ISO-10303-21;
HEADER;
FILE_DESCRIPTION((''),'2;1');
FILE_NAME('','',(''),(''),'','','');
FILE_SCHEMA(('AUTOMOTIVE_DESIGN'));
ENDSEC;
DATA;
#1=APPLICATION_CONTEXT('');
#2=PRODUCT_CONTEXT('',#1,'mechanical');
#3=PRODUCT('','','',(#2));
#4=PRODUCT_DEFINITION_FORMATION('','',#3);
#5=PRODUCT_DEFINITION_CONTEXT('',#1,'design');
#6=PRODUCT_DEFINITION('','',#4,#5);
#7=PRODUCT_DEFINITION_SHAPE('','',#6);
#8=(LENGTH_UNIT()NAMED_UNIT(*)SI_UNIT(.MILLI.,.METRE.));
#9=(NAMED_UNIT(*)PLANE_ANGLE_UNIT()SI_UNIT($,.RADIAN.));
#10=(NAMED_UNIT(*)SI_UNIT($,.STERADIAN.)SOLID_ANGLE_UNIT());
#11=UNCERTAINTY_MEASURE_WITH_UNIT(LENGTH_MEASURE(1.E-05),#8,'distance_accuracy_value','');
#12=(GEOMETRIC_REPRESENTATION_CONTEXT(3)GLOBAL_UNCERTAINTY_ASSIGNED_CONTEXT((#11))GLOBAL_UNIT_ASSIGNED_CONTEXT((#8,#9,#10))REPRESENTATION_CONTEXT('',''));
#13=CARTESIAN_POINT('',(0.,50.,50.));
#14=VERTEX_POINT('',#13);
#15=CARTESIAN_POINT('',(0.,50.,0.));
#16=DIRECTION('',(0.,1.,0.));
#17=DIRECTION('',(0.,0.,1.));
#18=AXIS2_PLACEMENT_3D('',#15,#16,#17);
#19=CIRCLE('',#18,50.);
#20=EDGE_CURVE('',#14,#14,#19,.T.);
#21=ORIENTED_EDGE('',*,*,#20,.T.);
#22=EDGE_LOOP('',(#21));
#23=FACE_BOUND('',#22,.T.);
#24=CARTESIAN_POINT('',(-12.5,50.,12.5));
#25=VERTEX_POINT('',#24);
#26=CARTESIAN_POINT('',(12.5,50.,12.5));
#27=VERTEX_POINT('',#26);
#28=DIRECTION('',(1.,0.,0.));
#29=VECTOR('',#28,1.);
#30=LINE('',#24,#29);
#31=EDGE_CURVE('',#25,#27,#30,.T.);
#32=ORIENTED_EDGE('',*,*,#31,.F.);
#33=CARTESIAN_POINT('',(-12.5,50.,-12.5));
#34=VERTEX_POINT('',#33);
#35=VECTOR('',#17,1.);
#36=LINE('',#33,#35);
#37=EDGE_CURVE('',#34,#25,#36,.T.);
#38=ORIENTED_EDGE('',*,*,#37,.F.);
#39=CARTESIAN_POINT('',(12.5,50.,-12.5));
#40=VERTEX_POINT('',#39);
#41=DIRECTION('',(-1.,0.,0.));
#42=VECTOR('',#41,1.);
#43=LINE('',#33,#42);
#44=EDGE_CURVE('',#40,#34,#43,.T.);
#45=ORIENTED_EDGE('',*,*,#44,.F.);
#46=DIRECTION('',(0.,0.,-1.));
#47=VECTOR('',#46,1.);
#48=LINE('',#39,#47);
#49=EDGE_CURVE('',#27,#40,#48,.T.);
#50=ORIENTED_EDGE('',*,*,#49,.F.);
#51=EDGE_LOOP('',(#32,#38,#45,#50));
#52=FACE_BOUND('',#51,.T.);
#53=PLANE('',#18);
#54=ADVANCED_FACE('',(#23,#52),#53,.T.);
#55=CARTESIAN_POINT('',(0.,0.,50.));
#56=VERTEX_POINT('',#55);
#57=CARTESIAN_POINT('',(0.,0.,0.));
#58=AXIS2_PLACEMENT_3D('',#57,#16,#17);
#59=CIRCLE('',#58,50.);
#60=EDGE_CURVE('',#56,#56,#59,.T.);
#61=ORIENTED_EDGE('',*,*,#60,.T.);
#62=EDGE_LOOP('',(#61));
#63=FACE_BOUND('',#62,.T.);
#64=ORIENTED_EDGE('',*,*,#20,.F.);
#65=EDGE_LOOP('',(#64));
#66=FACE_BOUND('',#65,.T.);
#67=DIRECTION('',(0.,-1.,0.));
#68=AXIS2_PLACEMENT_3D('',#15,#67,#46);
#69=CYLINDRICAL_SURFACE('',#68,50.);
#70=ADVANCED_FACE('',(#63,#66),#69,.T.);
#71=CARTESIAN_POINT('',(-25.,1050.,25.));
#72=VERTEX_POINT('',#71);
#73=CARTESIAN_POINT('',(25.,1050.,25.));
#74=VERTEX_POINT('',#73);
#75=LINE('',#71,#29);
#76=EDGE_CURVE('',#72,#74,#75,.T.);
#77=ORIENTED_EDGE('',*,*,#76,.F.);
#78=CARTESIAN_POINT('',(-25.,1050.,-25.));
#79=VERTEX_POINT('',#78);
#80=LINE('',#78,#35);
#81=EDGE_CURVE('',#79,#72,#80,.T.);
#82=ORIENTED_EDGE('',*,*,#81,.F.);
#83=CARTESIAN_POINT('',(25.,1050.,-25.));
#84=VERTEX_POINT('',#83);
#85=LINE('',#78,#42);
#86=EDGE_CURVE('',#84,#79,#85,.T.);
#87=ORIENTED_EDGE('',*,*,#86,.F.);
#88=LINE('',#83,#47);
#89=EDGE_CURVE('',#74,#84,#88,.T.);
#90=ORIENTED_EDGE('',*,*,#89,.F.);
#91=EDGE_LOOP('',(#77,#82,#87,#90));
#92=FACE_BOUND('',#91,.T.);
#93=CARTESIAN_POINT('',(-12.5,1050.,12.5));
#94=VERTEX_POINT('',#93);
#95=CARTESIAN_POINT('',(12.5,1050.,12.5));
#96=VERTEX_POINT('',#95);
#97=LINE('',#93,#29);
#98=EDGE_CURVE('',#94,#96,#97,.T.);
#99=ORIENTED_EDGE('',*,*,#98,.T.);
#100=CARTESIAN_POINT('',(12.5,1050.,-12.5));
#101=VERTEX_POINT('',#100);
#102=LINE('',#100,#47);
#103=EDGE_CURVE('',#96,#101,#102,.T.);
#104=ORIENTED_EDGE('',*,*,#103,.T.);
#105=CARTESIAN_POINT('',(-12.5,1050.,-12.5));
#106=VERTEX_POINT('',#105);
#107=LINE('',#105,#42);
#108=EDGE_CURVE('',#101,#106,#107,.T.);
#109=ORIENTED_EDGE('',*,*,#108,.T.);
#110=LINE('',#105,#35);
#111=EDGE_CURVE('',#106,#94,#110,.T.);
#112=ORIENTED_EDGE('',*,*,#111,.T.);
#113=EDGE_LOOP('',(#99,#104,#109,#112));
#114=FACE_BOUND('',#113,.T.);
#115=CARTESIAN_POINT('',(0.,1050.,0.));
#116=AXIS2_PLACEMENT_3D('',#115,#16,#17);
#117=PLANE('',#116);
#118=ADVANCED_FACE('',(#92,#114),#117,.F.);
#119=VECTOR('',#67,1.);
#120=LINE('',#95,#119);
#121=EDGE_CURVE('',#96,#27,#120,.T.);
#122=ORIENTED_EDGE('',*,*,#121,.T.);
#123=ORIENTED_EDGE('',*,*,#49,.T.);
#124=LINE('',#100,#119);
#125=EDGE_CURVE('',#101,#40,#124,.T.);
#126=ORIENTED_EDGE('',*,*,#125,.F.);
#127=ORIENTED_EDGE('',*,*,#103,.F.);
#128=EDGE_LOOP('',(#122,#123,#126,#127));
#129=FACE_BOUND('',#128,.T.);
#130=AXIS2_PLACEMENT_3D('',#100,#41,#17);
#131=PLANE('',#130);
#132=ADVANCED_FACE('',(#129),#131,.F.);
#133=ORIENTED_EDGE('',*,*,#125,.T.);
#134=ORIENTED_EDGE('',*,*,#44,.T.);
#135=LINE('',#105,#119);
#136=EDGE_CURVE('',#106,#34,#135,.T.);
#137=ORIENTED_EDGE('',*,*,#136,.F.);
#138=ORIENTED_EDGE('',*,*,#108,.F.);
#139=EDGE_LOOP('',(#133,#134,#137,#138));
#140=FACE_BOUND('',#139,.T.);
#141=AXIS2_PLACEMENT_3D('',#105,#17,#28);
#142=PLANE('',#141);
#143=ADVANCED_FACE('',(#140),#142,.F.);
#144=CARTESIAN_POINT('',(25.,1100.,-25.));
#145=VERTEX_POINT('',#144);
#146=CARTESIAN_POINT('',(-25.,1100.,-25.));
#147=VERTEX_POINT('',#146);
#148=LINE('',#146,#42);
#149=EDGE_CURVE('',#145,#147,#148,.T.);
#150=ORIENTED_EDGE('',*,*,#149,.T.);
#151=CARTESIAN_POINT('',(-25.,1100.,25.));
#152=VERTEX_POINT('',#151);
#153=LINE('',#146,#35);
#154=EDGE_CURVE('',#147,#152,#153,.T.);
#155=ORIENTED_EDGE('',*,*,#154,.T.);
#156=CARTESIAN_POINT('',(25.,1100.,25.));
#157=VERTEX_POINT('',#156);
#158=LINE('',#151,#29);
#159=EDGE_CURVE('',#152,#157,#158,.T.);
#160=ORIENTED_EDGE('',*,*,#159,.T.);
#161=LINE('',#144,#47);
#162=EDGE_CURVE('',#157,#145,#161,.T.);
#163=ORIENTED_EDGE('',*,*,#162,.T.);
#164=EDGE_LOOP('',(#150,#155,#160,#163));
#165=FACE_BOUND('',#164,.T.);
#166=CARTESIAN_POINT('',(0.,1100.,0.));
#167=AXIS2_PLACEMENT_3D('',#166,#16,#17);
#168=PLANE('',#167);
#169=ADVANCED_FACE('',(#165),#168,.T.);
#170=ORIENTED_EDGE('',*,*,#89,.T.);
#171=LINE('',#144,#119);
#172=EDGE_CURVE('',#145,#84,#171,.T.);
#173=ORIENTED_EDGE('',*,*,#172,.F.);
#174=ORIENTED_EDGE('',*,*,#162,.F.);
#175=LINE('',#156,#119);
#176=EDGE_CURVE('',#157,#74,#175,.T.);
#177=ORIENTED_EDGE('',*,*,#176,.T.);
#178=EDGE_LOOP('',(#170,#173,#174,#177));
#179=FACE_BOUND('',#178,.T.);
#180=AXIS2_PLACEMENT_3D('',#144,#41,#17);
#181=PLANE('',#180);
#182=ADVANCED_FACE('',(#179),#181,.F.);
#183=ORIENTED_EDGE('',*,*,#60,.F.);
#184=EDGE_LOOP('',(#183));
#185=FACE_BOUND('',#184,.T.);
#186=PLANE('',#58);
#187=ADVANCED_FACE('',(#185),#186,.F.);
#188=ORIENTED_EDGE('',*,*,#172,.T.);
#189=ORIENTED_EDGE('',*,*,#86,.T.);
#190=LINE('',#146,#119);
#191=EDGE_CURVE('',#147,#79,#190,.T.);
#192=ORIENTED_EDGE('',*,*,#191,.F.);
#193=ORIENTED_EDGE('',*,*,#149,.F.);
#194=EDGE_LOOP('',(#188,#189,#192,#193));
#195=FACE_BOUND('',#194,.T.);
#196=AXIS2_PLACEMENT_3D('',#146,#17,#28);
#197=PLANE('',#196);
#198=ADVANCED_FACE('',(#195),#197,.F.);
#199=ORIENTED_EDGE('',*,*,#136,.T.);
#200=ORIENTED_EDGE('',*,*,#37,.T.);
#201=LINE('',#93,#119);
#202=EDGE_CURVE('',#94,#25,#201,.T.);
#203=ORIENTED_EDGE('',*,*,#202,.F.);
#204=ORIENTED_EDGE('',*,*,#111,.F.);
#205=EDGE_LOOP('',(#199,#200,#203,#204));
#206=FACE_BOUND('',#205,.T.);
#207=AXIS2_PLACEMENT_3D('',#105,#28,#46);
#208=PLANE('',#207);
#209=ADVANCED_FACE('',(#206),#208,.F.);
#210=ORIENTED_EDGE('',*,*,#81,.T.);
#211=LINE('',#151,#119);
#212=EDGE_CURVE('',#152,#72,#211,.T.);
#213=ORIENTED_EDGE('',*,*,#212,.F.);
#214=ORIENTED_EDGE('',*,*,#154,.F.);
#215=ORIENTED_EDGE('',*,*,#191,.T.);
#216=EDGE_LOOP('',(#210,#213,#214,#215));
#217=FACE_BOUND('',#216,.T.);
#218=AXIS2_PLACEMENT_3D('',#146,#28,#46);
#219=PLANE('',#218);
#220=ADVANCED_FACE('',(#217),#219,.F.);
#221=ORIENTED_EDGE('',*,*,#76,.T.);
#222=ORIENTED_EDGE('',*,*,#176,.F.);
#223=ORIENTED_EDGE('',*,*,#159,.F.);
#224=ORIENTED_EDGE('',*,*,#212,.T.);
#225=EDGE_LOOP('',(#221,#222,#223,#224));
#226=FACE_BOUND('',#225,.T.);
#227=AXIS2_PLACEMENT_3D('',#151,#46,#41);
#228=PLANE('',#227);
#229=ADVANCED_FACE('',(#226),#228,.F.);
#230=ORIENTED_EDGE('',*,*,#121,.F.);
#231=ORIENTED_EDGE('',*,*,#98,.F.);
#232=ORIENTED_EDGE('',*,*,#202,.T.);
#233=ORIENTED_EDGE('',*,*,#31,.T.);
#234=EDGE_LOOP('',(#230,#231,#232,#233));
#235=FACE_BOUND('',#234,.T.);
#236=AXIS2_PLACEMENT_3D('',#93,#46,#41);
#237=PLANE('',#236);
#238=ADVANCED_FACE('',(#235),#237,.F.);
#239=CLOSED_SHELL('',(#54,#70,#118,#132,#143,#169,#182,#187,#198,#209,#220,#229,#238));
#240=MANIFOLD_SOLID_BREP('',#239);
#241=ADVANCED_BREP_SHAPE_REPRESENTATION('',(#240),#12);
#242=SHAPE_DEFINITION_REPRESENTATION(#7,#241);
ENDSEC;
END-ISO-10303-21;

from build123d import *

# Parameters (mm, degrees)
SKETCH1_R           = 50
BOSS_EXTRUDE1_DEPTH = 50
SKETCH2_W           = 25
SKETCH2_H           = 25
BOSS_EXTRUDE2_DEPTH = 1000
SKETCH3_W           = 50
SKETCH3_H           = 50
BOSS_EXTRUDE3_DEPTH = 50


with BuildPart() as part:
    # Sketch1 → Boss-Extrude1 (new body)
    with BuildSketch(Plane(origin=(0, 0, 0), x_dir=(1, 0, 0), z_dir=(0, 1, 0))):
        with Locations(Location((0, 0, 0), (0, 0, 270))):
            Circle(SKETCH1_R)
    extrude(amount=BOSS_EXTRUDE1_DEPTH)

    # Sketch2 → Boss-Extrude2 (add)
    with BuildSketch(Plane(origin=(0, 50, 0), x_dir=(1, 0, 0), z_dir=(0, 1, 0))):
        Rectangle(SKETCH2_W, SKETCH2_H)
    extrude(amount=BOSS_EXTRUDE2_DEPTH)

    # Sketch3 → Boss-Extrude3 (add)
    with BuildSketch(Plane(origin=(0, 1050, 0), x_dir=(1, 0, 0), z_dir=(0, 1, 0))):
        Rectangle(SKETCH3_W, SKETCH3_H)
    extrude(amount=BOSS_EXTRUDE3_DEPTH)


solid = part.part
